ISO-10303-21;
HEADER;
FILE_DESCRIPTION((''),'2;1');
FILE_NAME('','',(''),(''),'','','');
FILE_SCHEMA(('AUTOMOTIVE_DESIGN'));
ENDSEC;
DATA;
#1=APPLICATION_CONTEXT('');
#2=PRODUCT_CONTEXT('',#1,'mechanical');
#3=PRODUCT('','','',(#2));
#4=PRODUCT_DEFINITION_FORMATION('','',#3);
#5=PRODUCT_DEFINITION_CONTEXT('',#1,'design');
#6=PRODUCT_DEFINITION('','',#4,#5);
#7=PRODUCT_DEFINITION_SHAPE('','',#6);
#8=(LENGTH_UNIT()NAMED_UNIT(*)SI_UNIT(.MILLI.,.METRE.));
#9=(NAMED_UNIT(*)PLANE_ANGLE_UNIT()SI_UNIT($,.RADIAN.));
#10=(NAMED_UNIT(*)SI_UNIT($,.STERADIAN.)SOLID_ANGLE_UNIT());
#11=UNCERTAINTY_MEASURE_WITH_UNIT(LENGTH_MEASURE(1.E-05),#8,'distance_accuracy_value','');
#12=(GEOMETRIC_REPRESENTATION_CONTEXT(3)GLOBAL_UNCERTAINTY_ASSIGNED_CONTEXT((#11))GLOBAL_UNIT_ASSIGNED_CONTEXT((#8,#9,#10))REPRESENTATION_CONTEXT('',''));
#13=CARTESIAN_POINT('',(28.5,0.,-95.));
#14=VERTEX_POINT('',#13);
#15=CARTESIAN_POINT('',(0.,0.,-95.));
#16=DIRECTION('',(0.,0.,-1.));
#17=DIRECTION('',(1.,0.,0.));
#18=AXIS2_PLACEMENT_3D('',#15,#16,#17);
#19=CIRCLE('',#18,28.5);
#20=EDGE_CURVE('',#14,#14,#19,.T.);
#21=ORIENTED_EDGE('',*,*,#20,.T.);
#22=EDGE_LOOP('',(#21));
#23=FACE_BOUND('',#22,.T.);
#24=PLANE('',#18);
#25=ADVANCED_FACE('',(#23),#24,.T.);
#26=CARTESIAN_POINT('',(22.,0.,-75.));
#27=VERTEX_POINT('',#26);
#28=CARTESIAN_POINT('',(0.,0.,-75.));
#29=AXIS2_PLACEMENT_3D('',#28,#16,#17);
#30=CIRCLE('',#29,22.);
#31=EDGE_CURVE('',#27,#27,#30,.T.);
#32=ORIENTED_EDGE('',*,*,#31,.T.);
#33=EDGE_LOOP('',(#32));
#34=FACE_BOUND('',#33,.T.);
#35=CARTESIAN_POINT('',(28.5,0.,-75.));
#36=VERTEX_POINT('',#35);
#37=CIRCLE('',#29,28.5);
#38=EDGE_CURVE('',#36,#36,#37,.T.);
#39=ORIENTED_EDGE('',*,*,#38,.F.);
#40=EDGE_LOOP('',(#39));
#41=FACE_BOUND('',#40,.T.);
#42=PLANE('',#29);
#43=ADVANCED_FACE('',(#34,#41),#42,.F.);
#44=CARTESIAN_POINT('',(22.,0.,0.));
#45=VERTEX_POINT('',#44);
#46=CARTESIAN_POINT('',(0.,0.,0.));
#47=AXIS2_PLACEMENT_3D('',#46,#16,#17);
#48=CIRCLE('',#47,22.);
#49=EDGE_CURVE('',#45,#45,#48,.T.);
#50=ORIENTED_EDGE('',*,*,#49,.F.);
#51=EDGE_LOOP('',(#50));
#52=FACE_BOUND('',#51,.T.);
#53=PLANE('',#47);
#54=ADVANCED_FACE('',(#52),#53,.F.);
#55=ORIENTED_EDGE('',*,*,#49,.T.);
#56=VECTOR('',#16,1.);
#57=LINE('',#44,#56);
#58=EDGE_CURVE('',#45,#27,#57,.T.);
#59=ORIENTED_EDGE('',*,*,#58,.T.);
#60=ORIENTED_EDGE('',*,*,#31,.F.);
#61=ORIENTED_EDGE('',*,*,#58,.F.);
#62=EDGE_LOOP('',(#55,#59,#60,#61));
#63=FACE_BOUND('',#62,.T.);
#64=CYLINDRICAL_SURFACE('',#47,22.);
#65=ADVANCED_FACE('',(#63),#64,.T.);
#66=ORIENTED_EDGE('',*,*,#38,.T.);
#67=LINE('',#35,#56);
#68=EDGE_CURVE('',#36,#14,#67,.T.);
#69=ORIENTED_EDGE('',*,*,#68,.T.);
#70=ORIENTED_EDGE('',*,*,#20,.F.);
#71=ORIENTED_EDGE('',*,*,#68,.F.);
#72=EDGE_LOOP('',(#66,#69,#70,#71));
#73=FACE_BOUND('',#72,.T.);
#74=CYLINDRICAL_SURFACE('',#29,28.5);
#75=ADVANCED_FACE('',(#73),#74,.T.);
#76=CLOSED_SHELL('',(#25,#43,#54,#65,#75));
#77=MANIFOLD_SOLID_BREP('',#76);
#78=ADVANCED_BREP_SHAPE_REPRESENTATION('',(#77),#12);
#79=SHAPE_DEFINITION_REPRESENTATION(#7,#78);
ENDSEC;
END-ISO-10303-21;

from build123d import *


with BuildPart() as part:
    # Sketch1 → Revolve1 (revolve)
    with BuildSketch(Plane(origin=(0, 0, 0), x_dir=(1, 0, 0), z_dir=(0, 1, 0)), mode=Mode.PRIVATE) as revolve1_sk:
        Polygon((0, 0), (-22, 0), (-22, 75), (-28.5, 75), (-28.5, 95), (0, 95), align=None)
    revolve(revolve1_sk.sketch.rotate(Axis((0, 0, 0), (0, 0, -1)), 180), axis=Axis((0, 0, 0), (0, 0, -1)))  # turned: the seam where the file's is


solid = part.part
